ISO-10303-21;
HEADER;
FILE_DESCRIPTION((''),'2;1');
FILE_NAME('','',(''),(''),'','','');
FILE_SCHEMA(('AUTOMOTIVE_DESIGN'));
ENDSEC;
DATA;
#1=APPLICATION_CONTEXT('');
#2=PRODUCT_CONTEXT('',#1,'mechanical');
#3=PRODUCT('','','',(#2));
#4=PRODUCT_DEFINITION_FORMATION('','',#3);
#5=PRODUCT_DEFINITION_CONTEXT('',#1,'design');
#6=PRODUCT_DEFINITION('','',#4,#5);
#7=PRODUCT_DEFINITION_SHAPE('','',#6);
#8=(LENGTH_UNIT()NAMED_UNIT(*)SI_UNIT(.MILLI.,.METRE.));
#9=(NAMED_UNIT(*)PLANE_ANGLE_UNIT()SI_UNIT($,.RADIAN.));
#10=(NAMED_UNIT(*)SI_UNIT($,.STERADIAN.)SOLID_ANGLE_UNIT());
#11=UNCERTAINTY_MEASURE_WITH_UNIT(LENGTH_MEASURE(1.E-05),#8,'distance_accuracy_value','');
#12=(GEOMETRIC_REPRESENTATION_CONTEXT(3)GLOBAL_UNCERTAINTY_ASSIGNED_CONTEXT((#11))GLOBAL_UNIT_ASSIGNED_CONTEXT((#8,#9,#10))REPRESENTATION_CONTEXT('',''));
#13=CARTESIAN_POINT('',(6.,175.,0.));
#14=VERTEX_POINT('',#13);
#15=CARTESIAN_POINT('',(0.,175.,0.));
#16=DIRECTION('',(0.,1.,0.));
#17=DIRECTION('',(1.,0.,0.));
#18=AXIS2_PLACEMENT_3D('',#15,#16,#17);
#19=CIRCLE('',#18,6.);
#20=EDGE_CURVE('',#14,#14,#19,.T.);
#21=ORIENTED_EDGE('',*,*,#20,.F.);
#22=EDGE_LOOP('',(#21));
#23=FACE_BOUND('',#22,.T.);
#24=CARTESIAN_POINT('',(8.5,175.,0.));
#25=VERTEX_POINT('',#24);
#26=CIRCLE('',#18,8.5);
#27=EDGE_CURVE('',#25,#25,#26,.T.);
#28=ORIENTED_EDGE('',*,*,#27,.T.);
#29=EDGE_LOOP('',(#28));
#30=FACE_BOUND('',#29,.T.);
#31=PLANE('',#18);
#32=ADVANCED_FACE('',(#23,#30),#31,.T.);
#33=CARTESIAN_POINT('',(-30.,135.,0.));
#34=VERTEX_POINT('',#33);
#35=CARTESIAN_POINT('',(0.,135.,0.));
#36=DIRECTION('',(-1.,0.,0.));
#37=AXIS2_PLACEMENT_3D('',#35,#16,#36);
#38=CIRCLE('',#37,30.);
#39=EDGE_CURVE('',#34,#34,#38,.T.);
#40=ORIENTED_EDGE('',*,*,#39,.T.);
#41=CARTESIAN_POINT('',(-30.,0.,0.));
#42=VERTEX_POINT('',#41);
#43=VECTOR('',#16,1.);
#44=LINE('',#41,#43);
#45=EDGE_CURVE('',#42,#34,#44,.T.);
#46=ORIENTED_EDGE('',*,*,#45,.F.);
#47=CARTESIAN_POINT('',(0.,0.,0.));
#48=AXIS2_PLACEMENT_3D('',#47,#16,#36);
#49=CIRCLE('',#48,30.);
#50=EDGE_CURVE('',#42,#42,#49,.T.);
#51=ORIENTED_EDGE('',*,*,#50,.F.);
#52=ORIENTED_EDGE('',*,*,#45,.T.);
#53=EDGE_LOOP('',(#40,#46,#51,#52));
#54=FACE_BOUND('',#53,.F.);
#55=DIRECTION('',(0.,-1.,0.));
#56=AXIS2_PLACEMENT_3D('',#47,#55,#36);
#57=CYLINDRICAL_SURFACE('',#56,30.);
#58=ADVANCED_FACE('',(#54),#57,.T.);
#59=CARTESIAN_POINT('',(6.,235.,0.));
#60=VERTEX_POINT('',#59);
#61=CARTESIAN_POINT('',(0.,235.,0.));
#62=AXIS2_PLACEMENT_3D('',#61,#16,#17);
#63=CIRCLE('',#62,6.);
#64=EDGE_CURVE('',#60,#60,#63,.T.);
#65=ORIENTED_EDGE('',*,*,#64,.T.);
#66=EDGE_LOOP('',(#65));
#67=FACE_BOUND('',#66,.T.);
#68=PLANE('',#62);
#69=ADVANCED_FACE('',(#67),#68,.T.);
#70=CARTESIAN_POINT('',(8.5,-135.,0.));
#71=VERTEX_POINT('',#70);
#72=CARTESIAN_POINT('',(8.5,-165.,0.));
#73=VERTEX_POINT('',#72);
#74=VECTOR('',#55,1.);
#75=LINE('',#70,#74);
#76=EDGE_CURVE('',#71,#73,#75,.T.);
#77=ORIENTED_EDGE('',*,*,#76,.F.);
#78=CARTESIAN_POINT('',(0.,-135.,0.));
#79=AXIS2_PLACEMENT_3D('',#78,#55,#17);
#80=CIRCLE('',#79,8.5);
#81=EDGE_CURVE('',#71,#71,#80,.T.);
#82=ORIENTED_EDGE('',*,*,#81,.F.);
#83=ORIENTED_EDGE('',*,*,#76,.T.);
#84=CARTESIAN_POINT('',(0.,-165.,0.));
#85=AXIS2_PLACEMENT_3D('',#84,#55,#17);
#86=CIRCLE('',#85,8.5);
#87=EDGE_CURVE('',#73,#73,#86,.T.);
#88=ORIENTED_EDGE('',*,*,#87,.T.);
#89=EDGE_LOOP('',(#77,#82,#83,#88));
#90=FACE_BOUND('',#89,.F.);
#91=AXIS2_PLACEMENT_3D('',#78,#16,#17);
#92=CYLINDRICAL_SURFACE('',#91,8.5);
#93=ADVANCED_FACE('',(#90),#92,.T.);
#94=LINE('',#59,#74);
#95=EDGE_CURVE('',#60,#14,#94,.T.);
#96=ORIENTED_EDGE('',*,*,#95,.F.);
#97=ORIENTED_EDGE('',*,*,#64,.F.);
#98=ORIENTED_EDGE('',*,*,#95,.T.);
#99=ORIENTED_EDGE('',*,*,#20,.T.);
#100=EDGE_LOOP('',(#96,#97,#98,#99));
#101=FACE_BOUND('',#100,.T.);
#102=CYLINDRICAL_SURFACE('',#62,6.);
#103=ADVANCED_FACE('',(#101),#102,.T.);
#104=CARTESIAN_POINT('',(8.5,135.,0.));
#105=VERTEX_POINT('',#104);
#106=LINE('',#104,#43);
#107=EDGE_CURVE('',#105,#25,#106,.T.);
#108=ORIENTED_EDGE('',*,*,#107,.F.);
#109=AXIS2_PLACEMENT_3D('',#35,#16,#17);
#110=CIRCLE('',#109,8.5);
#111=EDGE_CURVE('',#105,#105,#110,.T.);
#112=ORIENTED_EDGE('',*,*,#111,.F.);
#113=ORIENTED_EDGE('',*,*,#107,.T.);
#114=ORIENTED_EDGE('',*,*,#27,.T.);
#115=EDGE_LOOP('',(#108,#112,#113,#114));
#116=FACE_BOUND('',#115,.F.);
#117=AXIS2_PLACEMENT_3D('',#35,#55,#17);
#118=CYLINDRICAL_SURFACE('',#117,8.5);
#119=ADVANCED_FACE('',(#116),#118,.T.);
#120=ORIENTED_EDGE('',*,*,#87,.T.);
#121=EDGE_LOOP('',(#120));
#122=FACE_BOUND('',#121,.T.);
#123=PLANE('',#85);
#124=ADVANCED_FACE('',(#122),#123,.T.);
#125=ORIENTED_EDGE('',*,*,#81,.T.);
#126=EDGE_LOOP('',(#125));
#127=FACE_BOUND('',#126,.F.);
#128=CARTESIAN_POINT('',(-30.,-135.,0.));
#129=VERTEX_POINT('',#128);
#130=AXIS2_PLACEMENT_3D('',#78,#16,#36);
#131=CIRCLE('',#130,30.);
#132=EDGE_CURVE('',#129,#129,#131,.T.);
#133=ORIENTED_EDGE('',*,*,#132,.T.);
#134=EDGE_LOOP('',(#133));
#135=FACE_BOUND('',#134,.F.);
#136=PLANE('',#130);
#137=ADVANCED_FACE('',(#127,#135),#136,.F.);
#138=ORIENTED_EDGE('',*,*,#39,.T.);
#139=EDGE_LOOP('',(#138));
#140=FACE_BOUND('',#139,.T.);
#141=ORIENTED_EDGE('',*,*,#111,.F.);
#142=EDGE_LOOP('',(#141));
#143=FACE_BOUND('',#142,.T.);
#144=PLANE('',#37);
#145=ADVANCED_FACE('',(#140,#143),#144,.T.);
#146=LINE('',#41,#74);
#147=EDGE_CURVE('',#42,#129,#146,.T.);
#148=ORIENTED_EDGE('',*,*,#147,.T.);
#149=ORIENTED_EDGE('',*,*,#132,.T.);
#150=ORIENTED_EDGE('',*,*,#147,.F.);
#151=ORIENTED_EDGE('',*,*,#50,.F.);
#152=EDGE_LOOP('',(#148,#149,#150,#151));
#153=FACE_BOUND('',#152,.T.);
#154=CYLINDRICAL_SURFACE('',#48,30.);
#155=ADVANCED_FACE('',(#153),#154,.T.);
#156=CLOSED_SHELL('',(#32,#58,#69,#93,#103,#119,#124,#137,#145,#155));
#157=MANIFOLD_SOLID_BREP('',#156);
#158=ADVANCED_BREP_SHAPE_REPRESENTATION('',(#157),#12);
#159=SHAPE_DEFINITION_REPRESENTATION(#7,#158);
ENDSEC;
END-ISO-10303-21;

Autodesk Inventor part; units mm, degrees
ref_plane "YZ Plane" through (0, 0, 0) normal (1, 0, 0) x (0, 1, 0)
ref_plane "XZ Plane" through (0, 0, 0) normal (0, 1, 0) x (-1, 0, 0)
ref_plane "XY Plane" through (0, 0, 0) normal (0, 0, 1) x (1, 0, 0)
sketch "Sketch1" plane through (0, 0, 0) normal (0, 1, 0) x (-1, 0, 0)
  circle A0 centre (0, 0) radius 30
  dimension "d0" = 60
extrude "Extrusion1" add sketch "Sketch1" along normal mid plane 270
sketch "Sketch2" plane through (0, -135, 0) normal (0, -1, 0) x (1, 0, 0)
  circle A0 centre (0, 0) radius 8.5
  dimension "d3" = 17
extrude "Extrusion2" add sketch "Sketch2" along normal blind 30
sketch "Sketch3" plane through (0, 135, 0) normal (0, 1, 0) x (1, 0, 0)
  circle A0 centre (0, 0) radius 8.5 projected
  circle A1 centre (0, 0) radius 8.5
  dimension "d6" = 17
extrude "Extrusion3" add sketch "Sketch3" along normal blind 100
sketch "Sketch4" plane through (0, 235, 0) normal (0, 1, 0) x (1, 0, 0)
  circle A0 centre (0, 0) radius 8.5 projected
  circle A1 centre (0, 0) radius 6
  dimension "d9" = 12
extrude "Extrusion4" cut sketch "Sketch4" against normal blind 60
properties part number "HCMUTE-CDT23-TRUC_DAN" material "Stainless Steel"
